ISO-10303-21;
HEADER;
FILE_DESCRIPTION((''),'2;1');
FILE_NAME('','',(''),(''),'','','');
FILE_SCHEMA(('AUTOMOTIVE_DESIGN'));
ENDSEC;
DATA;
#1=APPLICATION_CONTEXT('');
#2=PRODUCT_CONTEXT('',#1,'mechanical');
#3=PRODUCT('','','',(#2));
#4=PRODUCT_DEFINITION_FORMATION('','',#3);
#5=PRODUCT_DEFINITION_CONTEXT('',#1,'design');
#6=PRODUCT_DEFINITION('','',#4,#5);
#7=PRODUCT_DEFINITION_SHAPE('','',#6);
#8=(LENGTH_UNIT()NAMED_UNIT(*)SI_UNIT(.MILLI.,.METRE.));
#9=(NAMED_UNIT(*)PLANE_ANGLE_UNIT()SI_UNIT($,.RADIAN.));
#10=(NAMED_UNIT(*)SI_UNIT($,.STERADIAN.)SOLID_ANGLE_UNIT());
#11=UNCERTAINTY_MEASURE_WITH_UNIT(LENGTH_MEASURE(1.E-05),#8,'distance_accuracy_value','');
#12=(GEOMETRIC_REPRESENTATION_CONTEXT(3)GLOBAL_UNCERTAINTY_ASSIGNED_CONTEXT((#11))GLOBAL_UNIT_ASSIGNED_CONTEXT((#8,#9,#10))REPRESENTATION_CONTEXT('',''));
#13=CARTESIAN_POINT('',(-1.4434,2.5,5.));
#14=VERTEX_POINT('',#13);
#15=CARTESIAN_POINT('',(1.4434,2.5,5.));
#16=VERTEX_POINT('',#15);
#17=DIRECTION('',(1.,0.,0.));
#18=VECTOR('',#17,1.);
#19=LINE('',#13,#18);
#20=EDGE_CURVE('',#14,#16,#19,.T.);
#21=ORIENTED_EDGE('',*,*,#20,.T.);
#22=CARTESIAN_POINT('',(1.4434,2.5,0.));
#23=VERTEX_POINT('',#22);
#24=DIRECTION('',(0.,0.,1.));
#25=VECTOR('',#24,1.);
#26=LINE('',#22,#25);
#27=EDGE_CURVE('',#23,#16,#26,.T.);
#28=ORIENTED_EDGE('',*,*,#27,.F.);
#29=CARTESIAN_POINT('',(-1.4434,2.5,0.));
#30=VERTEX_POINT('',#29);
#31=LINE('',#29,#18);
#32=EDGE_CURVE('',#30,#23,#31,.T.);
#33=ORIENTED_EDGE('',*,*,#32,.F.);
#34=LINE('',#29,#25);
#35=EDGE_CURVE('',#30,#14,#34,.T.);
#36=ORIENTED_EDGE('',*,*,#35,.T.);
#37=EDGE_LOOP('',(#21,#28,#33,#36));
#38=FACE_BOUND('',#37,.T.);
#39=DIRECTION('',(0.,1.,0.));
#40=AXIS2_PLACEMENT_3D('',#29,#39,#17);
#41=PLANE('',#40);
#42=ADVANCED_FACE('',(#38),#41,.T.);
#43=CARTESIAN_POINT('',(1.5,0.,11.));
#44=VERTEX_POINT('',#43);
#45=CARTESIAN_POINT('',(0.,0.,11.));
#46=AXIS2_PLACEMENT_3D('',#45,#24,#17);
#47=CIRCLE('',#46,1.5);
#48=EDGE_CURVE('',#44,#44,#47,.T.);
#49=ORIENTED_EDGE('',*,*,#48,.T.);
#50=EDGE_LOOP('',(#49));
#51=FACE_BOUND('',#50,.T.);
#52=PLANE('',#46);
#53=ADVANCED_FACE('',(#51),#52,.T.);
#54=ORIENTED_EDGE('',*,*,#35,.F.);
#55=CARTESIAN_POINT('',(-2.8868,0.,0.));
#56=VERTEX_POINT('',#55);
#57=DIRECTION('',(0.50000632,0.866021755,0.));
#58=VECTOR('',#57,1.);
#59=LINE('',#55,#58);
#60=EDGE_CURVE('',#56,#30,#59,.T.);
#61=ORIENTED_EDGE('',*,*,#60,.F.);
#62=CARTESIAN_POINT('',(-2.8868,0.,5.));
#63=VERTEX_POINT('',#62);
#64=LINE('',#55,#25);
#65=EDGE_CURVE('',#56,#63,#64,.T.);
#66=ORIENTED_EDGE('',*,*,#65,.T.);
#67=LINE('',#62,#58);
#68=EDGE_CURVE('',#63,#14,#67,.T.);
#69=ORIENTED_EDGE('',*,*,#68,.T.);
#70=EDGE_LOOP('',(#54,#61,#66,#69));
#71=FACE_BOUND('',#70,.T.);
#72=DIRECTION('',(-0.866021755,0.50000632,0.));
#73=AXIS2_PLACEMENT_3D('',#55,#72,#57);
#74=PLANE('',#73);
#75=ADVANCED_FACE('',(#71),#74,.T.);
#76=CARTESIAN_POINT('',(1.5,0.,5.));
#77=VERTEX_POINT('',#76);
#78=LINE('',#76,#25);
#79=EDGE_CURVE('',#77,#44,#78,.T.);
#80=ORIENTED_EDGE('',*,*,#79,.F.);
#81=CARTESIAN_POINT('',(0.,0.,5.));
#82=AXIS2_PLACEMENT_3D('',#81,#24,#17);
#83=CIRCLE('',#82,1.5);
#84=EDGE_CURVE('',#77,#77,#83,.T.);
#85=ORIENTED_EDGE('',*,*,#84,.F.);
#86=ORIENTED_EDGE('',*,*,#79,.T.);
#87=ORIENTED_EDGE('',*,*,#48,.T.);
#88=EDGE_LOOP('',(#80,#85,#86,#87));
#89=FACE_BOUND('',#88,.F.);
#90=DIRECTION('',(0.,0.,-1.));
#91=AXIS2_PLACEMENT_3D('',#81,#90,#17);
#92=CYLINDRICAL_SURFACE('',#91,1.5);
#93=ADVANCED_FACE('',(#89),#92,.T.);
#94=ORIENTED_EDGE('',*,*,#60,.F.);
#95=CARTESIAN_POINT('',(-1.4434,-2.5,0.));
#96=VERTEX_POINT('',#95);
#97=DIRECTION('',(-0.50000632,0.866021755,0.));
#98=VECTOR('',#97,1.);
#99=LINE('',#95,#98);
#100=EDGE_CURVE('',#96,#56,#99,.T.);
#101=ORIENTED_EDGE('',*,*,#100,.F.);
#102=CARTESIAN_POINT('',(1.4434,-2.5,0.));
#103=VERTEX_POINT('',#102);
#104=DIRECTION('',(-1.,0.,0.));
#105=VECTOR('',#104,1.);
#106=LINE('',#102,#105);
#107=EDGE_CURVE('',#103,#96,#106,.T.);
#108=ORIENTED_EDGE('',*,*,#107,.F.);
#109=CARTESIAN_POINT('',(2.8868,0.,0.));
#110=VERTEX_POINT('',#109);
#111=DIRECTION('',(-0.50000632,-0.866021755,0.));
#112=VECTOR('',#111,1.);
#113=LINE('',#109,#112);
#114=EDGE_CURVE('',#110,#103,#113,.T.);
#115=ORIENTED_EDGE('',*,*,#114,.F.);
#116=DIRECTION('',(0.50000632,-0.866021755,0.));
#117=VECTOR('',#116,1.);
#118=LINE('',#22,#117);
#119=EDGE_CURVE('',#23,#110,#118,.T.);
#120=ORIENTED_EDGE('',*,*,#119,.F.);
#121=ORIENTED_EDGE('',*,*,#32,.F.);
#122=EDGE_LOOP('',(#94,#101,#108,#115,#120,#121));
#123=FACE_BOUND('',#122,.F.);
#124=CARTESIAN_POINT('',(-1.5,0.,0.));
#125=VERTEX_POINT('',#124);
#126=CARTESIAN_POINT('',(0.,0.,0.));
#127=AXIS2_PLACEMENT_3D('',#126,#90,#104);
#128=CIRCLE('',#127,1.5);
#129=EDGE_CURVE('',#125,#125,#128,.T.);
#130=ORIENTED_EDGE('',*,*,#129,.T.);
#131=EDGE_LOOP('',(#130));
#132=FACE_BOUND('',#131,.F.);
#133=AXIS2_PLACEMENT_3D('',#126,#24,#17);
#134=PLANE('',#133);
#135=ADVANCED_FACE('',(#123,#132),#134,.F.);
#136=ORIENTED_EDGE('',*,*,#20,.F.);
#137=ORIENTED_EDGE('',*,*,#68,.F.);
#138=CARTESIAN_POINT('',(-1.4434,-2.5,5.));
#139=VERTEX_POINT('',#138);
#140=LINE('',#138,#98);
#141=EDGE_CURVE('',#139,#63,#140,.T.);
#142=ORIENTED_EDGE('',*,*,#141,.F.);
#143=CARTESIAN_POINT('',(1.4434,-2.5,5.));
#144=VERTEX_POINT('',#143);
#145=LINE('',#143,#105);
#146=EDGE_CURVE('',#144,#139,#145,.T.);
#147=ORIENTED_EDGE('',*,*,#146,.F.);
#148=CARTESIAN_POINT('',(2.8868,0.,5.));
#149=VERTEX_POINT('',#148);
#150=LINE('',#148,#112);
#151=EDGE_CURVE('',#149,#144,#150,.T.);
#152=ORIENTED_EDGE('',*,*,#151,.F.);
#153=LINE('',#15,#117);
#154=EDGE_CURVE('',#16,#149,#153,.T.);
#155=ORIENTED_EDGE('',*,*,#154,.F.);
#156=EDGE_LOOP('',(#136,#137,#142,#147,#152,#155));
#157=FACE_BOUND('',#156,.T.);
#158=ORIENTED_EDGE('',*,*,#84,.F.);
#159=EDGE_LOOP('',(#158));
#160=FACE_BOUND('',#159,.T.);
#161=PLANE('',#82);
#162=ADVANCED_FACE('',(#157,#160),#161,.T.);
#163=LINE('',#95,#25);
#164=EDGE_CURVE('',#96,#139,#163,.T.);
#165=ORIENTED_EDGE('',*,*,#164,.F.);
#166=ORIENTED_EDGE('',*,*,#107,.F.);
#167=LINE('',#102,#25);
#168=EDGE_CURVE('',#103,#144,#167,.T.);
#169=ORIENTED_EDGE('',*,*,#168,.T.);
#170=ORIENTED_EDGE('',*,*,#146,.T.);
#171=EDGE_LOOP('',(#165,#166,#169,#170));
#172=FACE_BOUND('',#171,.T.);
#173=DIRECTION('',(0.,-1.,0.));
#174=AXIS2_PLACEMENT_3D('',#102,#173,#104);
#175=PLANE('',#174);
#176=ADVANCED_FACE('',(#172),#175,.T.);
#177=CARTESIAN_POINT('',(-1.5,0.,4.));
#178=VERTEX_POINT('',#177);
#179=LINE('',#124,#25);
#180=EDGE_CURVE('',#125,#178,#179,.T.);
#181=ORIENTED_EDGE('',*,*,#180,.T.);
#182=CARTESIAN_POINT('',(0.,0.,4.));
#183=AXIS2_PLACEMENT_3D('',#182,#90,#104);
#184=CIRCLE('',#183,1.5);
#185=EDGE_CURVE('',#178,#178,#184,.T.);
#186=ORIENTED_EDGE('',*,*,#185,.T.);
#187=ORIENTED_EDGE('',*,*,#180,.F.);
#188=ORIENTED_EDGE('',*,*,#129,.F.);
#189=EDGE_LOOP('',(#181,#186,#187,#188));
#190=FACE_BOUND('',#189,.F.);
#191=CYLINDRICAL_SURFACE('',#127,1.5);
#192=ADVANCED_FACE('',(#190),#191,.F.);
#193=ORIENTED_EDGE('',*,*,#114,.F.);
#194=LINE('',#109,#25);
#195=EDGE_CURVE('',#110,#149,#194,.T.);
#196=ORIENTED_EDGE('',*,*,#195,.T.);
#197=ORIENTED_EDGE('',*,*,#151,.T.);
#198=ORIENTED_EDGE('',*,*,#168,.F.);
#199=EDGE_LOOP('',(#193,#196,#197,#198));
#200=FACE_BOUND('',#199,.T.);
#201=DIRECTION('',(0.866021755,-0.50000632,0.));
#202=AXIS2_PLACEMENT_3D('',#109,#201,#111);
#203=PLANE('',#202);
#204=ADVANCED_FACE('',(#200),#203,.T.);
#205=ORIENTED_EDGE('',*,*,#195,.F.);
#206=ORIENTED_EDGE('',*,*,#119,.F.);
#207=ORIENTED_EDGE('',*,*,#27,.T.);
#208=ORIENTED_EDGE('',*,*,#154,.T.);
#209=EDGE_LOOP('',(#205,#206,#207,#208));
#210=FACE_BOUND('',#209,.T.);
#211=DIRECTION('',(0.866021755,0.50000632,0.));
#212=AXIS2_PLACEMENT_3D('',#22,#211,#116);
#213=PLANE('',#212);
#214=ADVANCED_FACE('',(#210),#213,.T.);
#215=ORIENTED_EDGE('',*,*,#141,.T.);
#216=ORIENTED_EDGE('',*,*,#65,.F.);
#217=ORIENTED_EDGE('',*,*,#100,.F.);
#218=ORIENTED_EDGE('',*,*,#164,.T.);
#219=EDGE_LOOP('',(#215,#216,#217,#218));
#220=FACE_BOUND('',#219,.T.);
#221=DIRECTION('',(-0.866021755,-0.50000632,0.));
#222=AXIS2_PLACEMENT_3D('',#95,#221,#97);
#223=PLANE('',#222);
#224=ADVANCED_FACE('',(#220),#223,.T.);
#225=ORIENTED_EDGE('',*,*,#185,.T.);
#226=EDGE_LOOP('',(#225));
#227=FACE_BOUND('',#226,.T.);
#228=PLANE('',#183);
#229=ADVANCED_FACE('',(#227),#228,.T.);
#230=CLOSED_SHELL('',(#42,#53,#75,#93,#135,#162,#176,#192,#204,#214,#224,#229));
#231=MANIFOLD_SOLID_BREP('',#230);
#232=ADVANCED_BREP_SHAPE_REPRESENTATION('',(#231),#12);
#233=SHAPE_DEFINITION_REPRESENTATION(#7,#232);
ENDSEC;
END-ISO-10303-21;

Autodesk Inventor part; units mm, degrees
ref_plane "YZ Plane" through (0, 0, 0) normal (1, 0, 0) x (0, 1, 0)
ref_plane "XZ Plane" through (0, 0, 0) normal (0, 1, 0) x (-1, 0, 0)
ref_plane "XY Plane" through (0, 0, 0) normal (0, 0, 1) x (1, 0, 0)
sketch "Sketch1" plane through (0, 0, 0) normal (0, 0, 1) x (1, 0, 0)
  line L0 (2.8868, 0) -> (1.4434, -2.5)
  line L1 (1.4434, -2.5) -> (-1.4434, -2.5)
  line L2 (-1.4434, -2.5) -> (-2.8868, 0)
  line L3 (-2.8868, 0) -> (-1.4434, 2.5)
  line L4 (-1.4434, 2.5) -> (1.4434, 2.5)
  line L5 (1.4434, 2.5) -> (2.8868, 0)
  point P0 (0, 0)
  point P1 (0, 0)
  dimension "d0" = 5
extrude "Extrusion1" add sketch "Sketch1" along normal blind 5
sketch "Sketch2" plane through (0, 0, 5) normal (0, 0, 1) x (1, 0, 0)
  circle A0 centre (0, 0) radius 1.5
  dimension "d3" = 3
extrude "Extrusion2" add sketch "Sketch2" along normal blind 6
sketch "Sketch3" plane through (0, 0, 0) normal (0, 0, -1) x (-1, 0, 0)
  circle A0 centre (0, 0) radius 1.5
  dimension "d6" = 3
extrude "Extrusion3" cut sketch "Sketch3" against normal blind 4
properties part number "Spacer7mm_m3"
